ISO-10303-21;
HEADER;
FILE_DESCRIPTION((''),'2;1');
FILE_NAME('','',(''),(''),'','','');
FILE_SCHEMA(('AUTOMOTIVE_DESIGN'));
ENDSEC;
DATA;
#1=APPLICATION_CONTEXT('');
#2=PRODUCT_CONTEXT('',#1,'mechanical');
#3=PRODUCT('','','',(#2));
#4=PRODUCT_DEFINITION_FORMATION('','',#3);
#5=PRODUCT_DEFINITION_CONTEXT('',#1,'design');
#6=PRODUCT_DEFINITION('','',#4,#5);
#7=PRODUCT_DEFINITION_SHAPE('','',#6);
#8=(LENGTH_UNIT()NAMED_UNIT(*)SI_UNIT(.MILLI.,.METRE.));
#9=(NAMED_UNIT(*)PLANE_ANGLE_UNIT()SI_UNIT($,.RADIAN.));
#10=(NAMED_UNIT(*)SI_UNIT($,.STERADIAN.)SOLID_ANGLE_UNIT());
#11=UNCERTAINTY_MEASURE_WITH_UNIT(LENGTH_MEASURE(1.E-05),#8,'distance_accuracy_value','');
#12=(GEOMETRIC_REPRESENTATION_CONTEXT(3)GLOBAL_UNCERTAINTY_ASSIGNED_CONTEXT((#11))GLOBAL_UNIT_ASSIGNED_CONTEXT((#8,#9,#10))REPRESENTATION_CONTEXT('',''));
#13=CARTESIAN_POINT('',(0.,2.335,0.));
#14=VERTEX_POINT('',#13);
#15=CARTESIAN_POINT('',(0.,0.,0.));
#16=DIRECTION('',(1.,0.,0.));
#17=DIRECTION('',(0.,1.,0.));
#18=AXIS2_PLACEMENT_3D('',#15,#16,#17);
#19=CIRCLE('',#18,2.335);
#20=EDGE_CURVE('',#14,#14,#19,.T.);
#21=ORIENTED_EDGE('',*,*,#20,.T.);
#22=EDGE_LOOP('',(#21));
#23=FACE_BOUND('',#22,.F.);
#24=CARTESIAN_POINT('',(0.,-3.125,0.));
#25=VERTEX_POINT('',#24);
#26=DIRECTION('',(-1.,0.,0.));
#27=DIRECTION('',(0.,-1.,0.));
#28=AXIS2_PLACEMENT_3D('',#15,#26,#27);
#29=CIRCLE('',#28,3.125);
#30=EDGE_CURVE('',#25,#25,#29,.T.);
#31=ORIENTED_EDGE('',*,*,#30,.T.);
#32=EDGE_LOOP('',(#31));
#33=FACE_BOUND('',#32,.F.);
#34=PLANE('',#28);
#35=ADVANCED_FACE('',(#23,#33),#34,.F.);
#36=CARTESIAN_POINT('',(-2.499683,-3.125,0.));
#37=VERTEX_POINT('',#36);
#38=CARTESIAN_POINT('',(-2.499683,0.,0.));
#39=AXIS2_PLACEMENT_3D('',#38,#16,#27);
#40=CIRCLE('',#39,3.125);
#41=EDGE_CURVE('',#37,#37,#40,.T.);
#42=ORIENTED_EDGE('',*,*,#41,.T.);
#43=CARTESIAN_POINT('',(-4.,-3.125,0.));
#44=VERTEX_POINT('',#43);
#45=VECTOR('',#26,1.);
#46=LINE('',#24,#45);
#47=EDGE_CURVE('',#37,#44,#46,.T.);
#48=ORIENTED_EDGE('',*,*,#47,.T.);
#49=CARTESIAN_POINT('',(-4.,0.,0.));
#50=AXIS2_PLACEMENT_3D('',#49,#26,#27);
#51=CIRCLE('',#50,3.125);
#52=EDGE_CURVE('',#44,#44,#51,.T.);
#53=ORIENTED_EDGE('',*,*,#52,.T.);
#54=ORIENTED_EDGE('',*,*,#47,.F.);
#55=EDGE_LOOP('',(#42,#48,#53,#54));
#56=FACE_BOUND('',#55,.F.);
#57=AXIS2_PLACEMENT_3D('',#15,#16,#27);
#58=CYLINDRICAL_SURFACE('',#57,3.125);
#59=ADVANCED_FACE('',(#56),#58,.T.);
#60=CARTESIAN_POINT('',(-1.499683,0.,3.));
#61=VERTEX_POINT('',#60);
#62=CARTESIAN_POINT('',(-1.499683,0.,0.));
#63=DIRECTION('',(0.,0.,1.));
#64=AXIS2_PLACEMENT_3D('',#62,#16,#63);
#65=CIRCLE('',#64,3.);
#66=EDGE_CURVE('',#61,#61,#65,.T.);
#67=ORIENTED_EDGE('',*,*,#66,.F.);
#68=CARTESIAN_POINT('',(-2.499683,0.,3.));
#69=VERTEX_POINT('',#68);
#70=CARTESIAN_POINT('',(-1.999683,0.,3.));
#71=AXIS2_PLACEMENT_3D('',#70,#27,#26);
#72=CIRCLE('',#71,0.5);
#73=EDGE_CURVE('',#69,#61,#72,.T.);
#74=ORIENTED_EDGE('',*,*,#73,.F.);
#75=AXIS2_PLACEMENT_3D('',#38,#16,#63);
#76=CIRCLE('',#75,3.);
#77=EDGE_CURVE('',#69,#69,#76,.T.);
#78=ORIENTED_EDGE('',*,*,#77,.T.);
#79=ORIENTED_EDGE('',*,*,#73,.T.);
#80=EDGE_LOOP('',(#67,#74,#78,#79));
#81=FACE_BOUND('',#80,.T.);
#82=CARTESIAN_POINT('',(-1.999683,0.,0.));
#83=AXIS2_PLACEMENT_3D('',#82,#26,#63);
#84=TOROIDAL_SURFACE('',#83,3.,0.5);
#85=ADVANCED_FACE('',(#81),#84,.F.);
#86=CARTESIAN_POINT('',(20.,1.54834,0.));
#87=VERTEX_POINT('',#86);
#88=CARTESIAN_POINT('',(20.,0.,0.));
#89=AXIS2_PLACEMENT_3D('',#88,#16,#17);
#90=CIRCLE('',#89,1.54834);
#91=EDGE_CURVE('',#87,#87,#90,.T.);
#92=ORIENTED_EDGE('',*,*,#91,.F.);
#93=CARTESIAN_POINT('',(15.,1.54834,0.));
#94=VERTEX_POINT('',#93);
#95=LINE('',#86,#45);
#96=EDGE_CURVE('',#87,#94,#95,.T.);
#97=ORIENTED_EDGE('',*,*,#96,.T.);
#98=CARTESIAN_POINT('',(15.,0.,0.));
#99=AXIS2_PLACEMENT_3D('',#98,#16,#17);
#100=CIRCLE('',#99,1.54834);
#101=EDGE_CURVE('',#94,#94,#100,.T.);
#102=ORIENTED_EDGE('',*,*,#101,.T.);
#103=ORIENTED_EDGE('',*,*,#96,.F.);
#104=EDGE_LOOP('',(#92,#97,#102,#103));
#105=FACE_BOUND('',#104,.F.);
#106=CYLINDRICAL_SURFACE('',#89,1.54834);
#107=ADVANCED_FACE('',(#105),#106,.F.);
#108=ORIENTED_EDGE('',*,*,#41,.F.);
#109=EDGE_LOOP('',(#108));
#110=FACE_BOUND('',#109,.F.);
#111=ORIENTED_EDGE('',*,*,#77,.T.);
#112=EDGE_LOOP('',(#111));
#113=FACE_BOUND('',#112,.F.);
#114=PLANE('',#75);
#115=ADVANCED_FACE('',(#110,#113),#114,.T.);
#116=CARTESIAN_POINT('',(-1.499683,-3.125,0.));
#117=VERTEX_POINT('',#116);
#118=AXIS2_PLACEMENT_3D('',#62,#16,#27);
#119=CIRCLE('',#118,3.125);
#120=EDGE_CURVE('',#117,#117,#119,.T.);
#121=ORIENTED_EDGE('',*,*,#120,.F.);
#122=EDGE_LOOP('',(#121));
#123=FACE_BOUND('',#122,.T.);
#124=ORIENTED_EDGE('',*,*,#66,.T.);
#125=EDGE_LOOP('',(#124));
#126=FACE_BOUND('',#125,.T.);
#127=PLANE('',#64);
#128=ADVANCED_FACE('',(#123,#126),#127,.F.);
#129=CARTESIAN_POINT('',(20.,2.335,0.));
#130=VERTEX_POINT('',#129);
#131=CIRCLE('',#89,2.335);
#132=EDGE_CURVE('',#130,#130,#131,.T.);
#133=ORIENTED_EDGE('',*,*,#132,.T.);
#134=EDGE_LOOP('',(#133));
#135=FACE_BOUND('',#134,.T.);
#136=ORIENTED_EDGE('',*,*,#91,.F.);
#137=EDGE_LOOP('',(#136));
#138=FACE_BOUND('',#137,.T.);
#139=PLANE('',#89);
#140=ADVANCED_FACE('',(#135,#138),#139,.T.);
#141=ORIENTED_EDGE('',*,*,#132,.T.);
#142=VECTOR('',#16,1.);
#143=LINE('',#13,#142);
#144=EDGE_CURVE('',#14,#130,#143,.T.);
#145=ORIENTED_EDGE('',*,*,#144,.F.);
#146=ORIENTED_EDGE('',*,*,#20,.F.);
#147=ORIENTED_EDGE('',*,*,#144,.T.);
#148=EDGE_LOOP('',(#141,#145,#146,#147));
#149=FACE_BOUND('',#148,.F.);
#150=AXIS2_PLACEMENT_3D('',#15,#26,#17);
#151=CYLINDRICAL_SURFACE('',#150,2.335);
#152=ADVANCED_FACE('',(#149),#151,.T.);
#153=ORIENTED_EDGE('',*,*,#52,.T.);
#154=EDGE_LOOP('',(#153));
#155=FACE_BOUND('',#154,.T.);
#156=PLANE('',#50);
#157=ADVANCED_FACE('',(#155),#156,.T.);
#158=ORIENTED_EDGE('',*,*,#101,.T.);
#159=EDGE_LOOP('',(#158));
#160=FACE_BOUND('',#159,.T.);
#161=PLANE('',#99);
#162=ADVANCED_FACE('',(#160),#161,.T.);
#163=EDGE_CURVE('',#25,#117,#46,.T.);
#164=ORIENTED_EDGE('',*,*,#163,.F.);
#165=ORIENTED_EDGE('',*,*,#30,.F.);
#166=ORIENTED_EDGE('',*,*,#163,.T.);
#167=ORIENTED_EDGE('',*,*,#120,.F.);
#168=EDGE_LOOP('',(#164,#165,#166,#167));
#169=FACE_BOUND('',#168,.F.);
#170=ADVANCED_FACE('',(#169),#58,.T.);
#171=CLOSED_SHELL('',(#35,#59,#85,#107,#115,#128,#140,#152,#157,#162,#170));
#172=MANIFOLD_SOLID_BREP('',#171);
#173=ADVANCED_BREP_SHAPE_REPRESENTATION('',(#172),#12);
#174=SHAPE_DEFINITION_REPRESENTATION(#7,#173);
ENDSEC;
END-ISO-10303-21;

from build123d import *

# Parameters (mm, degrees)
F0_R     = 2.335
F1_DEPTH = 20
F2_R     = 3.125
F3_DEPTH = 4
F4_W     = 1
F4_H     = 1.443127
F6_R     = 1.54834
F7_DEPTH = 5


with BuildPart() as f1:
    # F0 (on Right) → F1 (new body)
    with BuildSketch(Plane.YZ):
        Circle(F0_R)
    extrude(amount=F1_DEPTH)

    # F2 (on face) → F3 (join)
    with BuildSketch(Plane(origin=(0, 0, 0), x_dir=(0, -1, 0), z_dir=(-1, 0, 0))):
        Circle(F2_R)
    extrude(amount=F3_DEPTH)

    # F4 (on Front) → F5 (revolve, cut)
    with BuildSketch(Plane.XZ):
        with BuildLine():
            Line((-1.499683, 3), (-2.499683, 3))
            ThreePointArc((-2.499683, 3), (-1.999683, 2.5), (-1.499683, 3))
        make_face()
        with Locations((-1.999683, 3.721563)):
            Rectangle(F4_W, F4_H)
    revolve(axis=Axis((-1.744851, 0, 0), (1, 0, 0)), mode=Mode.SUBTRACT)

    # F6 (on face) → F7 (cut)
    with BuildSketch(Plane.YZ.offset(20)):
        Circle(F6_R)
    extrude(amount=-F7_DEPTH, mode=Mode.SUBTRACT)


solid = f1.part
